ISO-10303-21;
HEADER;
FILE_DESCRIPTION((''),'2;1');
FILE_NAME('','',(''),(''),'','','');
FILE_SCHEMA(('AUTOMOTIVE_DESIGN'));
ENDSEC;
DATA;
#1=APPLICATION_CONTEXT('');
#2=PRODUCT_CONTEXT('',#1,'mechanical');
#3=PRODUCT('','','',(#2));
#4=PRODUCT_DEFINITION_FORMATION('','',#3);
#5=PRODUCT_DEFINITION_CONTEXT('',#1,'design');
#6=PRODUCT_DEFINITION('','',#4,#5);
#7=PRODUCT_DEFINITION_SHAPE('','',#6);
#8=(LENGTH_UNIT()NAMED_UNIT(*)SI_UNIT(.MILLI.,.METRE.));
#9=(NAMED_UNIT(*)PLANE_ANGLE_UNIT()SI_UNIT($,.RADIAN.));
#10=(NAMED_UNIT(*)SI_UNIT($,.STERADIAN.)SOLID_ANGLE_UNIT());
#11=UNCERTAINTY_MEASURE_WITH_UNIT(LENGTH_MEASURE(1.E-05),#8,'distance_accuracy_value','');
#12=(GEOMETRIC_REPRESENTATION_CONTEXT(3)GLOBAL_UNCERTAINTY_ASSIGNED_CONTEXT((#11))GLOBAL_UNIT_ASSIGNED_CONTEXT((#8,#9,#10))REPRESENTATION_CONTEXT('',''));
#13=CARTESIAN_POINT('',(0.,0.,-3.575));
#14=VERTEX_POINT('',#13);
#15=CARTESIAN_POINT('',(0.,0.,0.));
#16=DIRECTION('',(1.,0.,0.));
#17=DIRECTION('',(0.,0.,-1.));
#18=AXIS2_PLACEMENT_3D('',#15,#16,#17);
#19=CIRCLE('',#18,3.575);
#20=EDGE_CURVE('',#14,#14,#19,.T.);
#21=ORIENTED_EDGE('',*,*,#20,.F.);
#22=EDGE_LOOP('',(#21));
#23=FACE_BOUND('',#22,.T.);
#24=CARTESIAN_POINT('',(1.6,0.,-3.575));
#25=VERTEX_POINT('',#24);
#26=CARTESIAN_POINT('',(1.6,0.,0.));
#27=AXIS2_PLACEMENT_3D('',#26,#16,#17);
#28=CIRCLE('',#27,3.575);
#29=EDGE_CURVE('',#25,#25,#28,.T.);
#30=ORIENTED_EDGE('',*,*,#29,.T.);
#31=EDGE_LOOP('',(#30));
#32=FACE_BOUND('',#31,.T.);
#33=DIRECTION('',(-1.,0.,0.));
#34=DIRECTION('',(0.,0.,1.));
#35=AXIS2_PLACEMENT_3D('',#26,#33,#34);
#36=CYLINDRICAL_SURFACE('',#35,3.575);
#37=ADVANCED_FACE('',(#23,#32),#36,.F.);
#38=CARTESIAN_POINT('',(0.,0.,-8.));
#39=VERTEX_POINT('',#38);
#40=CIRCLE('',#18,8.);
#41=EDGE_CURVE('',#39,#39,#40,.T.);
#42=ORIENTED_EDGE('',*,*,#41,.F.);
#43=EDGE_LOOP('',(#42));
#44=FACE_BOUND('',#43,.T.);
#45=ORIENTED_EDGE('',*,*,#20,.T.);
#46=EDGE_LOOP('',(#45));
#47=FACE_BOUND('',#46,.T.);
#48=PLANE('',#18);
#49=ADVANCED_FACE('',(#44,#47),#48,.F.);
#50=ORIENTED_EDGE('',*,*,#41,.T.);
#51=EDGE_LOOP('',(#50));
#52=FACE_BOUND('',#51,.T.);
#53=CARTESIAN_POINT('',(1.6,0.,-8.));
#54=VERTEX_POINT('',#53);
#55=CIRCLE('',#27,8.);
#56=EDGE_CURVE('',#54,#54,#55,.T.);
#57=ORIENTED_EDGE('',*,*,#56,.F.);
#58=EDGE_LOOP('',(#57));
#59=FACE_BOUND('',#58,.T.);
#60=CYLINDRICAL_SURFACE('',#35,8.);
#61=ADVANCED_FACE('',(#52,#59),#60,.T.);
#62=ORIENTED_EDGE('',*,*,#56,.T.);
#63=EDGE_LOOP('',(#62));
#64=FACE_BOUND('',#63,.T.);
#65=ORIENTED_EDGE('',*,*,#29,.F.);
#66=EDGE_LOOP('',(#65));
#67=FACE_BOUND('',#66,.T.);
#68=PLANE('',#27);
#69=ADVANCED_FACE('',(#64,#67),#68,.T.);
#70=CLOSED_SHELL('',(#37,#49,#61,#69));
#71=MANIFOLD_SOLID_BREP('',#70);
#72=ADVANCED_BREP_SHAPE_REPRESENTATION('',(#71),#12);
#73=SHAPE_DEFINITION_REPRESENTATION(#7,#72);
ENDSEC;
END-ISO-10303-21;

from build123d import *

# Parameters (mm, degrees)
SKETCH1_R          = 8
SKETCH1_R_2        = 3.575
BASE_EXTRUDE_DEPTH = 1.6


with BuildPart() as part:
    # Sketch1 → Base-Extrude (new body)
    with BuildSketch(Plane(origin=(0, 0, 0), x_dir=(0, 0, -1), z_dir=(1, 0, 0))):
        Circle(SKETCH1_R)
        Circle(SKETCH1_R_2, mode=Mode.SUBTRACT)
    extrude(amount=BASE_EXTRUDE_DEPTH)


solid = part.part
